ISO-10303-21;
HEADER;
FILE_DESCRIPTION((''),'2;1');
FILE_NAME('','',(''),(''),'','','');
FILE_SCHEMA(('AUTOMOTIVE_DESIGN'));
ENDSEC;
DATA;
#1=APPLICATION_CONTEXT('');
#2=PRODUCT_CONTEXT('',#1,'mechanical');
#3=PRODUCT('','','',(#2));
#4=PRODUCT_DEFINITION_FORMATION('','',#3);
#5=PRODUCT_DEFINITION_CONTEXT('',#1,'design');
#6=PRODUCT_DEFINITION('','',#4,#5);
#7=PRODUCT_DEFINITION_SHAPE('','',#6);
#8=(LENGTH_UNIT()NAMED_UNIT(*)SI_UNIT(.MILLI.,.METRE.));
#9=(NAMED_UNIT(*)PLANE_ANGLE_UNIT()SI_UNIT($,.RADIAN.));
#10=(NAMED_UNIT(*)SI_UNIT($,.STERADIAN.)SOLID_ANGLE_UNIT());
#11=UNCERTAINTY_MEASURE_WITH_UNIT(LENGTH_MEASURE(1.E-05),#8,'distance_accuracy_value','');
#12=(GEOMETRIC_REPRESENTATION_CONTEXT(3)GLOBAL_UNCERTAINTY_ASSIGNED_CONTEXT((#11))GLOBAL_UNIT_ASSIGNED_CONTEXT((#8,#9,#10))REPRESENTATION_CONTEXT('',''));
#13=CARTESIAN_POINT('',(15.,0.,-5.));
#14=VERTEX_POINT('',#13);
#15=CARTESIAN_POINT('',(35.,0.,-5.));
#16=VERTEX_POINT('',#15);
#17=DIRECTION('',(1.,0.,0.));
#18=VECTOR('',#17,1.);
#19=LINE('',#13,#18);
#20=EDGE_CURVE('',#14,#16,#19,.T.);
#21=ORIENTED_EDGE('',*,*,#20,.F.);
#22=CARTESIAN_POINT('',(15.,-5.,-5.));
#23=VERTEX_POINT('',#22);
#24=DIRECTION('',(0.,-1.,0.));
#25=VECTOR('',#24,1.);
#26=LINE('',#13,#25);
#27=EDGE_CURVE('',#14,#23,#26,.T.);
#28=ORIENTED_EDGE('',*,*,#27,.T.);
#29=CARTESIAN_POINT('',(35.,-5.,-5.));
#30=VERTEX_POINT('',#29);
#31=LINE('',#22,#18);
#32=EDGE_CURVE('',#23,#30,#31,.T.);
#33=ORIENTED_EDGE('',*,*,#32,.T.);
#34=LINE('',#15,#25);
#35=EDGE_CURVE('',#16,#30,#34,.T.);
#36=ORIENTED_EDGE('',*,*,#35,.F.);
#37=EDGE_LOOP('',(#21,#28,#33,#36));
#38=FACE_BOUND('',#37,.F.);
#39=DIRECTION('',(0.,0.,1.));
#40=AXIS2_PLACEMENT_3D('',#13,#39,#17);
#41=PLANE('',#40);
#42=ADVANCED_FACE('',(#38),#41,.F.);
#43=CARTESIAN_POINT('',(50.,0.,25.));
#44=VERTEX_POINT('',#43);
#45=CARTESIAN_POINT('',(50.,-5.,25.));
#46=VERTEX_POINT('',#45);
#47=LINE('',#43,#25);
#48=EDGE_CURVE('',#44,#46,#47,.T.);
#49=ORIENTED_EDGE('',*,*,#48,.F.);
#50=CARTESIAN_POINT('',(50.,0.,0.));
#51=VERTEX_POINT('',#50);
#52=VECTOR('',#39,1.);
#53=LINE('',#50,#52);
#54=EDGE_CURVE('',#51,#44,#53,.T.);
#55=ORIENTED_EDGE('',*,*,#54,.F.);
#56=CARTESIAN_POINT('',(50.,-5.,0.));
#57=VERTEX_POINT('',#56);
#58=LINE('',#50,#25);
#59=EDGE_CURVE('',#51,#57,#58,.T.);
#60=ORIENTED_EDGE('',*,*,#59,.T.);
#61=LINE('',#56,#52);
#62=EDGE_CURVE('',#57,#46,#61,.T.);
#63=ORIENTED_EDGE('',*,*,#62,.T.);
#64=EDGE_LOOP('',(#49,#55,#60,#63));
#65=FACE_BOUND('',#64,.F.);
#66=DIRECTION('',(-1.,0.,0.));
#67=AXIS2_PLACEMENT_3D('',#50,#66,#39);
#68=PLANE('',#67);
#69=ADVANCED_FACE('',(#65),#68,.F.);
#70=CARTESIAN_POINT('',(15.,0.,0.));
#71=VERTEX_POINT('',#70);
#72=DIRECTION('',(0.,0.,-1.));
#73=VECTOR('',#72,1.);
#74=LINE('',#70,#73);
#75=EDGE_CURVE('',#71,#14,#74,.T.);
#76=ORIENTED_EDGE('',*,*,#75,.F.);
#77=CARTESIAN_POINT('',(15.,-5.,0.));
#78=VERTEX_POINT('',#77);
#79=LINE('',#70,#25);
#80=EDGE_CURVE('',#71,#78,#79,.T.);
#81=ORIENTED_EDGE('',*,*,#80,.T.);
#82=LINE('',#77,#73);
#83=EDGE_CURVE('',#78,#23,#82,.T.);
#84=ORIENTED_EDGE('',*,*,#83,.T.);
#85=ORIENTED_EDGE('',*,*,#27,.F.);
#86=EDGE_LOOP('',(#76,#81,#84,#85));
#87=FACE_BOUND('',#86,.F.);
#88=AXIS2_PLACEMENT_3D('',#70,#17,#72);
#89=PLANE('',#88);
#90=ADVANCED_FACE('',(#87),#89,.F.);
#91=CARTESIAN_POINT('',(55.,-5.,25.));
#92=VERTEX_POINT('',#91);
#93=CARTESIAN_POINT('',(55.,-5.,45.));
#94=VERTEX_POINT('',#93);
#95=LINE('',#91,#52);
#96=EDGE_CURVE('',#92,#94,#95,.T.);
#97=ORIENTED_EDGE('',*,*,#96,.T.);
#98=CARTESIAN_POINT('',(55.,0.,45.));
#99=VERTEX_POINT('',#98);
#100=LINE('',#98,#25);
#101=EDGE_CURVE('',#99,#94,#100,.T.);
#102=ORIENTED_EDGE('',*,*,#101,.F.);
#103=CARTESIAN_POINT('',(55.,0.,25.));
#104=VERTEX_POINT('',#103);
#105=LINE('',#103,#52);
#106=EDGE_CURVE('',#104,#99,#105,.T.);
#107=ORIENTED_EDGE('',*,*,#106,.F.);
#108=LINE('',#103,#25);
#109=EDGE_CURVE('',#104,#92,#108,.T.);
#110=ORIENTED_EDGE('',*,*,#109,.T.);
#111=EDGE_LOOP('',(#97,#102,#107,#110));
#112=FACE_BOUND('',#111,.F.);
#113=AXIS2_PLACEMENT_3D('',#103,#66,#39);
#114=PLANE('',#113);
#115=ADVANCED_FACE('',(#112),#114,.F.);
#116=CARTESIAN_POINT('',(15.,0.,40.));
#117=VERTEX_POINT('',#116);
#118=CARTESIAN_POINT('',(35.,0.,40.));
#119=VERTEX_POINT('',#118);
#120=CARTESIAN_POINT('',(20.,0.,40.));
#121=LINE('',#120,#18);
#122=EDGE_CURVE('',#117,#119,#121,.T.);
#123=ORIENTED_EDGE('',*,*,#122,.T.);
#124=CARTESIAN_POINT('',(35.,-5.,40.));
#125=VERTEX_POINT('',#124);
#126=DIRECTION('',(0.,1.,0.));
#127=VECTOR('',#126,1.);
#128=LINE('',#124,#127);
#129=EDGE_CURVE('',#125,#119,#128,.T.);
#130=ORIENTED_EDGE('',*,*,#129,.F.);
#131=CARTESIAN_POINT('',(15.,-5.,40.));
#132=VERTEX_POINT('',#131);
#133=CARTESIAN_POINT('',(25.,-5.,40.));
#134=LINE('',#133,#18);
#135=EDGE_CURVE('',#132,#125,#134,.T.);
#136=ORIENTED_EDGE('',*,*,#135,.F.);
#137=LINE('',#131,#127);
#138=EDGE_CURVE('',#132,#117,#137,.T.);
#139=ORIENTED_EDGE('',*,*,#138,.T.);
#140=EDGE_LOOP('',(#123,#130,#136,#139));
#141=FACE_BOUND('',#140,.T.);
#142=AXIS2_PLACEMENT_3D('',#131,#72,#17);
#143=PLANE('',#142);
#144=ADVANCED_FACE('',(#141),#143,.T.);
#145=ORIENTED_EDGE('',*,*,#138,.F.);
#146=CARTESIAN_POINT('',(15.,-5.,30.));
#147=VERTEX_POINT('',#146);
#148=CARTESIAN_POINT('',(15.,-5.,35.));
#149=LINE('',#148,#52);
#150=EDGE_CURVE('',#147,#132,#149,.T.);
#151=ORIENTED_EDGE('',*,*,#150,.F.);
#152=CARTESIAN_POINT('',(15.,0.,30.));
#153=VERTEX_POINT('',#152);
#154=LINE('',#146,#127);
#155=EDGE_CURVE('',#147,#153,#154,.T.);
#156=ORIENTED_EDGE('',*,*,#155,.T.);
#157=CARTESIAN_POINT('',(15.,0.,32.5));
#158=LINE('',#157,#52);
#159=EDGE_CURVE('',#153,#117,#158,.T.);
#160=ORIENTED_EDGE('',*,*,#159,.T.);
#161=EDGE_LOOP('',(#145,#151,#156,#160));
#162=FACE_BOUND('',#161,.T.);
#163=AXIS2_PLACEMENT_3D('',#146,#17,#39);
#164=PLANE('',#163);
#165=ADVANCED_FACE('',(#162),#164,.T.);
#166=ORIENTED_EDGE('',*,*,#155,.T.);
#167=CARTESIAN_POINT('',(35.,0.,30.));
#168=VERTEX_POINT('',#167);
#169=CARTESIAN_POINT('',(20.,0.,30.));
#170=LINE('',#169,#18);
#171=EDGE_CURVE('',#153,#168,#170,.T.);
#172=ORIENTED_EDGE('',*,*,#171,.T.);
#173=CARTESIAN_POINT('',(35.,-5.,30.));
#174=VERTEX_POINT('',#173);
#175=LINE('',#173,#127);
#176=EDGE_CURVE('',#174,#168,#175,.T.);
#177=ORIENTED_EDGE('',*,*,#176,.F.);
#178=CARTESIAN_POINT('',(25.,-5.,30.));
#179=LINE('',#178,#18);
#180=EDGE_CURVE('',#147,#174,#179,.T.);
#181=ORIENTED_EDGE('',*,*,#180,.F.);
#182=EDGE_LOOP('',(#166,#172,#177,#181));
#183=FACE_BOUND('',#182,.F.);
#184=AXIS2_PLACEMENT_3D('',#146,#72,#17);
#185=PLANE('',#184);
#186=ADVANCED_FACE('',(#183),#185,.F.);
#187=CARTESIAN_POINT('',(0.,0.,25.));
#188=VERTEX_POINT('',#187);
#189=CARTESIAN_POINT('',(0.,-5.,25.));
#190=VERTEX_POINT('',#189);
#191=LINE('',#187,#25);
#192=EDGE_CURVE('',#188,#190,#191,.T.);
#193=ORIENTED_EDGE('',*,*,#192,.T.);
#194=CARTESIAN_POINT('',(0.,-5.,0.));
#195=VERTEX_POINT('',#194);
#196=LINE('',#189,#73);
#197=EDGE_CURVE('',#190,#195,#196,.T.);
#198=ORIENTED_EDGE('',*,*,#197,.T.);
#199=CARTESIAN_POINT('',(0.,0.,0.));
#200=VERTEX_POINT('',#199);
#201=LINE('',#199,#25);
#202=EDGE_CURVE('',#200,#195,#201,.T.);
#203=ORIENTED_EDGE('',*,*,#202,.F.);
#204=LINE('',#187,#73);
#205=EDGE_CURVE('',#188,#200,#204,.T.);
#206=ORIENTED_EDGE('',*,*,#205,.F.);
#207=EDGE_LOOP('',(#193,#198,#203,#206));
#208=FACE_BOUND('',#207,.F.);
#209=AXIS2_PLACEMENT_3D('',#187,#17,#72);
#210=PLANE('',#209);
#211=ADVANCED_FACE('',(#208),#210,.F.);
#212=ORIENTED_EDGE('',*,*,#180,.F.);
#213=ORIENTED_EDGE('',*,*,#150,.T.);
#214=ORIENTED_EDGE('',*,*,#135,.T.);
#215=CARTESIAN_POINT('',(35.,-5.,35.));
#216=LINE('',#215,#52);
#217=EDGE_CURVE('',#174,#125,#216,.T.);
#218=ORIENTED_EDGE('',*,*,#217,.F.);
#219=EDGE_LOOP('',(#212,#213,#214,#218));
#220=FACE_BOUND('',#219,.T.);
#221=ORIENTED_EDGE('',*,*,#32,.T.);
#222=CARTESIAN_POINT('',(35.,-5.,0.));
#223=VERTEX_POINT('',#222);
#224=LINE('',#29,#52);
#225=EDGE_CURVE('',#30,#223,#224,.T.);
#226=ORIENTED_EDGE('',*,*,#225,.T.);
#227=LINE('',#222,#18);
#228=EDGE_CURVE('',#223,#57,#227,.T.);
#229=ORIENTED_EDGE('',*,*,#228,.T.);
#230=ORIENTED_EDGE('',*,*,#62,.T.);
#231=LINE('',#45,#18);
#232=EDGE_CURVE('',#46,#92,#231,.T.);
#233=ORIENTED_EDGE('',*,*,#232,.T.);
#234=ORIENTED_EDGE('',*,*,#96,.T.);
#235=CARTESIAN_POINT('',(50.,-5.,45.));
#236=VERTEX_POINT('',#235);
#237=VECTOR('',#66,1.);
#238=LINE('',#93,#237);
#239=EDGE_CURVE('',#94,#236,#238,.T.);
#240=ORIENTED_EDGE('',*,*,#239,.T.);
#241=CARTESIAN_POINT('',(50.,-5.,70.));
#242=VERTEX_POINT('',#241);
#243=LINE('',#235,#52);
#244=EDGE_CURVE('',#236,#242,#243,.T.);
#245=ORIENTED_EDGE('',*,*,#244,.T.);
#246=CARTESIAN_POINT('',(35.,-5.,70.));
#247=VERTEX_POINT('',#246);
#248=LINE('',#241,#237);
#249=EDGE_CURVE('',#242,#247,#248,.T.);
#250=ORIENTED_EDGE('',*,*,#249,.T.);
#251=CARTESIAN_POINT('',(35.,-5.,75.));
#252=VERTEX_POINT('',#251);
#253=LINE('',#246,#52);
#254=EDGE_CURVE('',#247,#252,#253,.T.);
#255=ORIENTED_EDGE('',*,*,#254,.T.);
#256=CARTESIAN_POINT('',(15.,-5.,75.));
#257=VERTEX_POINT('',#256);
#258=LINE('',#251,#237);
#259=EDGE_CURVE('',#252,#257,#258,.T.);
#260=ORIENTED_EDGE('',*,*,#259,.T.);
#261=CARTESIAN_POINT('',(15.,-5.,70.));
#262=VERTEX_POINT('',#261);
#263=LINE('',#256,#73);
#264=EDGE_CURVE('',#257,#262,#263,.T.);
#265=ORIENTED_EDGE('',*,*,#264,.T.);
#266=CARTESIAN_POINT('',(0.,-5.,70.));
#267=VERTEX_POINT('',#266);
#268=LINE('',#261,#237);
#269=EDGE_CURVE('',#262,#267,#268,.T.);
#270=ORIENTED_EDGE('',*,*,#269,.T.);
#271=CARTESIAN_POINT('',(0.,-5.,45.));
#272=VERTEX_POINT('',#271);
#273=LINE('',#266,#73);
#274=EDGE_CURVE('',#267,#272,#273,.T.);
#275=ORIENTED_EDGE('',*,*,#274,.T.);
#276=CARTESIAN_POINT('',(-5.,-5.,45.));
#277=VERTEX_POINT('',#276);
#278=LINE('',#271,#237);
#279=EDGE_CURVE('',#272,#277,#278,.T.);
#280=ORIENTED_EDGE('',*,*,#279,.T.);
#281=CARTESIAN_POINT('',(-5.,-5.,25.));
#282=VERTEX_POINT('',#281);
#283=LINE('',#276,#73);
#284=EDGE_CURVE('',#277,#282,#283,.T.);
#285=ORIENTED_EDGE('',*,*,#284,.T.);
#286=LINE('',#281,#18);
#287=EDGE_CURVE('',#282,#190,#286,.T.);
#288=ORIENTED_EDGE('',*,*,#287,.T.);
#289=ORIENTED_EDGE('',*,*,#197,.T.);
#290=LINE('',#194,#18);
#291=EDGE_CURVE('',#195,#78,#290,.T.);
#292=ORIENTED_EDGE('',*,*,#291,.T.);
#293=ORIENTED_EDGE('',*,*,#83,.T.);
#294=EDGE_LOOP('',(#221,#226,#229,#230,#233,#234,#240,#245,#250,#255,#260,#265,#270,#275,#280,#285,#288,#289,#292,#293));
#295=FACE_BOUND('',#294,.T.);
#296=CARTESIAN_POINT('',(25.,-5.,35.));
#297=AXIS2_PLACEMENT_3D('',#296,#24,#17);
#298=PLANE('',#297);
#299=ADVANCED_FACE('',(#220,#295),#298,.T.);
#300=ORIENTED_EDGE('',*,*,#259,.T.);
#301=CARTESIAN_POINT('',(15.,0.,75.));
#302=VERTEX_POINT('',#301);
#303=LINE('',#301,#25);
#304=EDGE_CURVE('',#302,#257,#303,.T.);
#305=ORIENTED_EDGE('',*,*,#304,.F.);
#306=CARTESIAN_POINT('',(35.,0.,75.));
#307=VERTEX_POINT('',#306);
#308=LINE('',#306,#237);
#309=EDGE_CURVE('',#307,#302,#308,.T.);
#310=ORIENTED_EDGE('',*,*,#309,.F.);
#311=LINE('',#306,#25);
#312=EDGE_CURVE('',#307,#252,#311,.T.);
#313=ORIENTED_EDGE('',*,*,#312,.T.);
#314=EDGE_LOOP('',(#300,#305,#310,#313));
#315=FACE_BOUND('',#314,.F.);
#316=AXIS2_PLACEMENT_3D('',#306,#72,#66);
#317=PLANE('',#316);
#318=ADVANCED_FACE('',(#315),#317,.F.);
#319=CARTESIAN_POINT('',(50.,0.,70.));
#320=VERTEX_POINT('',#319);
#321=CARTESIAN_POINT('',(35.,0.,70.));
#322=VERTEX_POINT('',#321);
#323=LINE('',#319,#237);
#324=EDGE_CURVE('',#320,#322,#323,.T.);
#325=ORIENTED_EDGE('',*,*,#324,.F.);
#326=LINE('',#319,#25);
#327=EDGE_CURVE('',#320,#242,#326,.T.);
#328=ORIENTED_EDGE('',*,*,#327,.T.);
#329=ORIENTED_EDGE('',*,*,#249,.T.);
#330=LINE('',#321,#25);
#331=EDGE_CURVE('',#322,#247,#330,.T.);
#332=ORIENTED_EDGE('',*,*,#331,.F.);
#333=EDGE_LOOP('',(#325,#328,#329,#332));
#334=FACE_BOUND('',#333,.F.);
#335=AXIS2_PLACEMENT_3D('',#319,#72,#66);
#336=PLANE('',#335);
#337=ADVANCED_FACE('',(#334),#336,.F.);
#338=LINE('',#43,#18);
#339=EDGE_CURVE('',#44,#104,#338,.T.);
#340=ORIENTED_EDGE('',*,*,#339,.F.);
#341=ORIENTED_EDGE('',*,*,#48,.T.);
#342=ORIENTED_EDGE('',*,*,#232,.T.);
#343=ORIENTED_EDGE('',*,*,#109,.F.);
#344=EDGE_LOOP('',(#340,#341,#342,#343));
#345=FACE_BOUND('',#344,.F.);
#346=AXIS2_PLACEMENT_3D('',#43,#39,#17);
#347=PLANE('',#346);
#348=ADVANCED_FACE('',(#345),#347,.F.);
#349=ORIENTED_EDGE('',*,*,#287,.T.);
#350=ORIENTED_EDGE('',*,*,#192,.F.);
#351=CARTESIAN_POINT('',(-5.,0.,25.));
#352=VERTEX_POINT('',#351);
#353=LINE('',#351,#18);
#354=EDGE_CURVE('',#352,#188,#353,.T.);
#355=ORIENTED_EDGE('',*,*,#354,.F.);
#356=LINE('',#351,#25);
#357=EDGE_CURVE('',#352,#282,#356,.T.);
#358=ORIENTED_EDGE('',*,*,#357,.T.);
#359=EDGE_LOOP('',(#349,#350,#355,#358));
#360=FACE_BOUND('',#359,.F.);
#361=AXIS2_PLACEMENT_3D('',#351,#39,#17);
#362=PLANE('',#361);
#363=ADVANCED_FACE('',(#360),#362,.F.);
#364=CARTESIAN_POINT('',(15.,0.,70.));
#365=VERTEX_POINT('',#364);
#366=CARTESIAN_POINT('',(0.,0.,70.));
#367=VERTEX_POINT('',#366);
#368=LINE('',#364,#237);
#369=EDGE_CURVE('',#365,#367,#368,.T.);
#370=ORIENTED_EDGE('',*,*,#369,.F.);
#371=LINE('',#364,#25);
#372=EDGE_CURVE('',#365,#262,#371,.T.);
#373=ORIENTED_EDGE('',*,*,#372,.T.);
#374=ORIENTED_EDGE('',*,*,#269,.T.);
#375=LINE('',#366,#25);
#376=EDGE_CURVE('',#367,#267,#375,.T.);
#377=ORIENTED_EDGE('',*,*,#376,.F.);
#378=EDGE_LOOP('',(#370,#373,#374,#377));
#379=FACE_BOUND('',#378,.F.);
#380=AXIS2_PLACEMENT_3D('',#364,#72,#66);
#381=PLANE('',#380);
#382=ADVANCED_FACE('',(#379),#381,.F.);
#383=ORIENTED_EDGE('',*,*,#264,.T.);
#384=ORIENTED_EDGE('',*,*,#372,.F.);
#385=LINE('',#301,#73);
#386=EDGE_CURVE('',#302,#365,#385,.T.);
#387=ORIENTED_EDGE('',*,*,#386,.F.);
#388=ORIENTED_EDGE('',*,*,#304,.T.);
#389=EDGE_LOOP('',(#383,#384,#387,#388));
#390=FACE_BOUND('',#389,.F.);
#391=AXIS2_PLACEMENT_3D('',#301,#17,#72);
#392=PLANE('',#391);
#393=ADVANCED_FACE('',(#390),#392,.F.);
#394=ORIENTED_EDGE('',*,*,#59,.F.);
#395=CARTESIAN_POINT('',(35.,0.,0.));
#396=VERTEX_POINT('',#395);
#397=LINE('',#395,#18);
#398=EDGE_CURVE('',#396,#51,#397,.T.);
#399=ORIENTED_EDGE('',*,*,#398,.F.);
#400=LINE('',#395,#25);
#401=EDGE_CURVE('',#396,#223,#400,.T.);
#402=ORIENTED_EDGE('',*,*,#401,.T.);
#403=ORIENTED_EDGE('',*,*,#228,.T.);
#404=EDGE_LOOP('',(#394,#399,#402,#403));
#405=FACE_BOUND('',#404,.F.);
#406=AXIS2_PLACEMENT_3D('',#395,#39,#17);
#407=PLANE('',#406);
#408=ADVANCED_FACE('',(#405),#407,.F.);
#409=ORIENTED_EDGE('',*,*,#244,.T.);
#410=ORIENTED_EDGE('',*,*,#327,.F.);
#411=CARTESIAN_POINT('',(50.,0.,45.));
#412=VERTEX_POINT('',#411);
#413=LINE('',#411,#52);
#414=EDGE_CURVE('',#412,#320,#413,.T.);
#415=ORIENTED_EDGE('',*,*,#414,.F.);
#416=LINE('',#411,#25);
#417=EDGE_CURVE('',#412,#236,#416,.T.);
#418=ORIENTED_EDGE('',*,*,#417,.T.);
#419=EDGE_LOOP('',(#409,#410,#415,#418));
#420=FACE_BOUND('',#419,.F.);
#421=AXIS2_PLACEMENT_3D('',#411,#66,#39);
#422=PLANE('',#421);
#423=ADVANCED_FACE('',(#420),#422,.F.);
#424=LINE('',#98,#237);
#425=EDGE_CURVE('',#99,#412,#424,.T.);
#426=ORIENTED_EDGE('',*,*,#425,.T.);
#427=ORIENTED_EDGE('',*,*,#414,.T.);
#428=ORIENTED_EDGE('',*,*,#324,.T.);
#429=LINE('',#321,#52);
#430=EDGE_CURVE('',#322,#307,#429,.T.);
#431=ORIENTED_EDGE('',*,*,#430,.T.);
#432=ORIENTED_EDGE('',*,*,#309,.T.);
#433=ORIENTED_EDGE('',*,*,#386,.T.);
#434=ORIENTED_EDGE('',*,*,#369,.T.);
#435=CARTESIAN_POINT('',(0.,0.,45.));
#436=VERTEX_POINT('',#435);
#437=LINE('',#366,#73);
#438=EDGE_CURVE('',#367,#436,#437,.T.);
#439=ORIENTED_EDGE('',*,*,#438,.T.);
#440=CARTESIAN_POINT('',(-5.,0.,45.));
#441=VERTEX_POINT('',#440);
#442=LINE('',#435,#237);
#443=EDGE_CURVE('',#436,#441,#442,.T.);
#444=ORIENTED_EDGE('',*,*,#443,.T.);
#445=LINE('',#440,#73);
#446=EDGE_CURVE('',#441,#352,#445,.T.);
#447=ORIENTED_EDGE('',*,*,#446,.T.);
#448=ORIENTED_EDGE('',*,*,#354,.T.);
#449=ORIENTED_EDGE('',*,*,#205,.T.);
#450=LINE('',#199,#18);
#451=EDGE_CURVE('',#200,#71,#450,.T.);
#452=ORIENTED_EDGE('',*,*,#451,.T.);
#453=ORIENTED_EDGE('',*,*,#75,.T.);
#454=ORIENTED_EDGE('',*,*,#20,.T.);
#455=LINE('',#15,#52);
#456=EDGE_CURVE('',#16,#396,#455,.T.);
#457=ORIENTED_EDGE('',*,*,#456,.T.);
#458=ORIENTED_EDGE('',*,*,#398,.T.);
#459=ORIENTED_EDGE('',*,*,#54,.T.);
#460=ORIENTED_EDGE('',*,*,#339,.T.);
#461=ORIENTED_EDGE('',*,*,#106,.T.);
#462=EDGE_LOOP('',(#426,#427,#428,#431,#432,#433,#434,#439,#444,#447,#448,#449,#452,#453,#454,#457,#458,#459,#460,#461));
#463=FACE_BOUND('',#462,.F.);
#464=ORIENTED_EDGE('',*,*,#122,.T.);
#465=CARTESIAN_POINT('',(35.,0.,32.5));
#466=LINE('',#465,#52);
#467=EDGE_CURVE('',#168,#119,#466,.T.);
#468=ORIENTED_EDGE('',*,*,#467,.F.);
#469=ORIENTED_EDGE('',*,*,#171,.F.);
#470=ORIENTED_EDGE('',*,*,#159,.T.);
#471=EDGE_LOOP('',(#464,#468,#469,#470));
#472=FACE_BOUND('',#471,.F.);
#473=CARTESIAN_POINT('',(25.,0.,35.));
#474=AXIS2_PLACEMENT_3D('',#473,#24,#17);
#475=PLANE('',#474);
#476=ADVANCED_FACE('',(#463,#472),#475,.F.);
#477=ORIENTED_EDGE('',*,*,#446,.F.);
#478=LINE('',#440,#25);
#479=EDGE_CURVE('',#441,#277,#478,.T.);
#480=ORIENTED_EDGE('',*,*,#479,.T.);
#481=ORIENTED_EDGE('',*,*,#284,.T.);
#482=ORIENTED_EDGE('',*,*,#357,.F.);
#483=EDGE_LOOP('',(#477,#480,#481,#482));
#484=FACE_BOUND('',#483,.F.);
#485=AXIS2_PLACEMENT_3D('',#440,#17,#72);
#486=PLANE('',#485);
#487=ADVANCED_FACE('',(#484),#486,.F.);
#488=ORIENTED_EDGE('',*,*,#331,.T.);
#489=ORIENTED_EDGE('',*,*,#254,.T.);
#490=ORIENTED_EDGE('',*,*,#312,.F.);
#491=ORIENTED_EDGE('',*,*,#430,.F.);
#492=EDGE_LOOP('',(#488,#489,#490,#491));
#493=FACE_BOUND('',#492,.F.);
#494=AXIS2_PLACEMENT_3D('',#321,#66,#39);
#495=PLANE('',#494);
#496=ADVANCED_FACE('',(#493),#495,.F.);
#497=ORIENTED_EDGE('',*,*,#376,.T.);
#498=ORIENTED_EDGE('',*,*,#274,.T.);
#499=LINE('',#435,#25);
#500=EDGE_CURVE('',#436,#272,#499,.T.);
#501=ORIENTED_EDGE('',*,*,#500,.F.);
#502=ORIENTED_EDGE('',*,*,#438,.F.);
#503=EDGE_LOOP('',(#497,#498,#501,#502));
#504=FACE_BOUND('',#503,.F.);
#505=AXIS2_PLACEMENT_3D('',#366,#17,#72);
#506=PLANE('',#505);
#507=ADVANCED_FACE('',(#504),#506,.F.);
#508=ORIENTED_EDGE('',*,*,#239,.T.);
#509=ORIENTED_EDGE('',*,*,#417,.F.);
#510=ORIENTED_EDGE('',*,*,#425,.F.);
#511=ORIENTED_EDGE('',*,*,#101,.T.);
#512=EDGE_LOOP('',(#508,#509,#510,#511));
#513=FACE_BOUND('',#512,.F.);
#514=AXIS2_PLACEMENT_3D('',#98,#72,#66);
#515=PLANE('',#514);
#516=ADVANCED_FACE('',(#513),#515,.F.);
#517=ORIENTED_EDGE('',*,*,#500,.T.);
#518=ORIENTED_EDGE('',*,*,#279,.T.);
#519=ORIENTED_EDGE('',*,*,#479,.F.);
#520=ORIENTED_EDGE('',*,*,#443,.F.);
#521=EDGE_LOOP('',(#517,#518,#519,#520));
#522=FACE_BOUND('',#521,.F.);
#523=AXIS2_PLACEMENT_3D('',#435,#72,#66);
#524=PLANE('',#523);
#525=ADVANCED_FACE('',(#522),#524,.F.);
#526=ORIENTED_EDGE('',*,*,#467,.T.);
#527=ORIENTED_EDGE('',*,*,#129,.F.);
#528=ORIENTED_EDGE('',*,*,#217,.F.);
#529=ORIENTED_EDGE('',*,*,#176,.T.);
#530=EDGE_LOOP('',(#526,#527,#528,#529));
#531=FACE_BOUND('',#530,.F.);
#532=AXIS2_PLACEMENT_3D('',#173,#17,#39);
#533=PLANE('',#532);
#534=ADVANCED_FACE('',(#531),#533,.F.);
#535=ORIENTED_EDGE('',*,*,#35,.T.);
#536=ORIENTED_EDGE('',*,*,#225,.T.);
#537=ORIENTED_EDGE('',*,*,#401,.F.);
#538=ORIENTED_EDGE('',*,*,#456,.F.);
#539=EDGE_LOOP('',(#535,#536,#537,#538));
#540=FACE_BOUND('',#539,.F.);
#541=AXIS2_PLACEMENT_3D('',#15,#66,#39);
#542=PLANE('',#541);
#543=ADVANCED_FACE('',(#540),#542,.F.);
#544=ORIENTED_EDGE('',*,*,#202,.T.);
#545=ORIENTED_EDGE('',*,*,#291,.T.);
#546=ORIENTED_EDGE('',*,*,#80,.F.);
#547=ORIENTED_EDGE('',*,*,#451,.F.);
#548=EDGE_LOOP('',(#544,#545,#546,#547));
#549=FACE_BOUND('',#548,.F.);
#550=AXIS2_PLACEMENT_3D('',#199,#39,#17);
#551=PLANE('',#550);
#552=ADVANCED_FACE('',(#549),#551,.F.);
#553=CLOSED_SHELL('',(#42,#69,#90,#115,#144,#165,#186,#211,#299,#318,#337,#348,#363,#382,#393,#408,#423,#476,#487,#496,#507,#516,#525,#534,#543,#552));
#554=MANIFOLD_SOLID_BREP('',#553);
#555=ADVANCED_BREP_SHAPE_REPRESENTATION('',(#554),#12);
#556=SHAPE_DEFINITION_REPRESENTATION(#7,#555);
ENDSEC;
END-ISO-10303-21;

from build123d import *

# Parameters (mm, degrees)
F1_DEPTH = 5
F2_W     = 20
F2_H     = 10
F3_DEPTH = 25


with BuildPart() as f1:
    # F0 (on Front) → F1 (new body)
    with BuildSketch(Plane.XZ):
        Polygon((0, 25), (0, 0), (15, 0), (15, -5), (35, -5), (35, 0), (50, 0), (50, 25), (55, 25), (55, 45), (50, 45), (50, 70), (35, 70), (35, 75), (15, 75), (15, 70), (0, 70), (0, 45), (-5, 45), (-5, 25), align=None)
    extrude(amount=F1_DEPTH)

    # F2 (on face) → F3 (cut)
    with BuildSketch(Plane.XZ.offset(5)):
        with Locations((25, 35)):
            Rectangle(F2_W, F2_H)
    extrude(amount=-F3_DEPTH, mode=Mode.SUBTRACT)


solid = f1.part
